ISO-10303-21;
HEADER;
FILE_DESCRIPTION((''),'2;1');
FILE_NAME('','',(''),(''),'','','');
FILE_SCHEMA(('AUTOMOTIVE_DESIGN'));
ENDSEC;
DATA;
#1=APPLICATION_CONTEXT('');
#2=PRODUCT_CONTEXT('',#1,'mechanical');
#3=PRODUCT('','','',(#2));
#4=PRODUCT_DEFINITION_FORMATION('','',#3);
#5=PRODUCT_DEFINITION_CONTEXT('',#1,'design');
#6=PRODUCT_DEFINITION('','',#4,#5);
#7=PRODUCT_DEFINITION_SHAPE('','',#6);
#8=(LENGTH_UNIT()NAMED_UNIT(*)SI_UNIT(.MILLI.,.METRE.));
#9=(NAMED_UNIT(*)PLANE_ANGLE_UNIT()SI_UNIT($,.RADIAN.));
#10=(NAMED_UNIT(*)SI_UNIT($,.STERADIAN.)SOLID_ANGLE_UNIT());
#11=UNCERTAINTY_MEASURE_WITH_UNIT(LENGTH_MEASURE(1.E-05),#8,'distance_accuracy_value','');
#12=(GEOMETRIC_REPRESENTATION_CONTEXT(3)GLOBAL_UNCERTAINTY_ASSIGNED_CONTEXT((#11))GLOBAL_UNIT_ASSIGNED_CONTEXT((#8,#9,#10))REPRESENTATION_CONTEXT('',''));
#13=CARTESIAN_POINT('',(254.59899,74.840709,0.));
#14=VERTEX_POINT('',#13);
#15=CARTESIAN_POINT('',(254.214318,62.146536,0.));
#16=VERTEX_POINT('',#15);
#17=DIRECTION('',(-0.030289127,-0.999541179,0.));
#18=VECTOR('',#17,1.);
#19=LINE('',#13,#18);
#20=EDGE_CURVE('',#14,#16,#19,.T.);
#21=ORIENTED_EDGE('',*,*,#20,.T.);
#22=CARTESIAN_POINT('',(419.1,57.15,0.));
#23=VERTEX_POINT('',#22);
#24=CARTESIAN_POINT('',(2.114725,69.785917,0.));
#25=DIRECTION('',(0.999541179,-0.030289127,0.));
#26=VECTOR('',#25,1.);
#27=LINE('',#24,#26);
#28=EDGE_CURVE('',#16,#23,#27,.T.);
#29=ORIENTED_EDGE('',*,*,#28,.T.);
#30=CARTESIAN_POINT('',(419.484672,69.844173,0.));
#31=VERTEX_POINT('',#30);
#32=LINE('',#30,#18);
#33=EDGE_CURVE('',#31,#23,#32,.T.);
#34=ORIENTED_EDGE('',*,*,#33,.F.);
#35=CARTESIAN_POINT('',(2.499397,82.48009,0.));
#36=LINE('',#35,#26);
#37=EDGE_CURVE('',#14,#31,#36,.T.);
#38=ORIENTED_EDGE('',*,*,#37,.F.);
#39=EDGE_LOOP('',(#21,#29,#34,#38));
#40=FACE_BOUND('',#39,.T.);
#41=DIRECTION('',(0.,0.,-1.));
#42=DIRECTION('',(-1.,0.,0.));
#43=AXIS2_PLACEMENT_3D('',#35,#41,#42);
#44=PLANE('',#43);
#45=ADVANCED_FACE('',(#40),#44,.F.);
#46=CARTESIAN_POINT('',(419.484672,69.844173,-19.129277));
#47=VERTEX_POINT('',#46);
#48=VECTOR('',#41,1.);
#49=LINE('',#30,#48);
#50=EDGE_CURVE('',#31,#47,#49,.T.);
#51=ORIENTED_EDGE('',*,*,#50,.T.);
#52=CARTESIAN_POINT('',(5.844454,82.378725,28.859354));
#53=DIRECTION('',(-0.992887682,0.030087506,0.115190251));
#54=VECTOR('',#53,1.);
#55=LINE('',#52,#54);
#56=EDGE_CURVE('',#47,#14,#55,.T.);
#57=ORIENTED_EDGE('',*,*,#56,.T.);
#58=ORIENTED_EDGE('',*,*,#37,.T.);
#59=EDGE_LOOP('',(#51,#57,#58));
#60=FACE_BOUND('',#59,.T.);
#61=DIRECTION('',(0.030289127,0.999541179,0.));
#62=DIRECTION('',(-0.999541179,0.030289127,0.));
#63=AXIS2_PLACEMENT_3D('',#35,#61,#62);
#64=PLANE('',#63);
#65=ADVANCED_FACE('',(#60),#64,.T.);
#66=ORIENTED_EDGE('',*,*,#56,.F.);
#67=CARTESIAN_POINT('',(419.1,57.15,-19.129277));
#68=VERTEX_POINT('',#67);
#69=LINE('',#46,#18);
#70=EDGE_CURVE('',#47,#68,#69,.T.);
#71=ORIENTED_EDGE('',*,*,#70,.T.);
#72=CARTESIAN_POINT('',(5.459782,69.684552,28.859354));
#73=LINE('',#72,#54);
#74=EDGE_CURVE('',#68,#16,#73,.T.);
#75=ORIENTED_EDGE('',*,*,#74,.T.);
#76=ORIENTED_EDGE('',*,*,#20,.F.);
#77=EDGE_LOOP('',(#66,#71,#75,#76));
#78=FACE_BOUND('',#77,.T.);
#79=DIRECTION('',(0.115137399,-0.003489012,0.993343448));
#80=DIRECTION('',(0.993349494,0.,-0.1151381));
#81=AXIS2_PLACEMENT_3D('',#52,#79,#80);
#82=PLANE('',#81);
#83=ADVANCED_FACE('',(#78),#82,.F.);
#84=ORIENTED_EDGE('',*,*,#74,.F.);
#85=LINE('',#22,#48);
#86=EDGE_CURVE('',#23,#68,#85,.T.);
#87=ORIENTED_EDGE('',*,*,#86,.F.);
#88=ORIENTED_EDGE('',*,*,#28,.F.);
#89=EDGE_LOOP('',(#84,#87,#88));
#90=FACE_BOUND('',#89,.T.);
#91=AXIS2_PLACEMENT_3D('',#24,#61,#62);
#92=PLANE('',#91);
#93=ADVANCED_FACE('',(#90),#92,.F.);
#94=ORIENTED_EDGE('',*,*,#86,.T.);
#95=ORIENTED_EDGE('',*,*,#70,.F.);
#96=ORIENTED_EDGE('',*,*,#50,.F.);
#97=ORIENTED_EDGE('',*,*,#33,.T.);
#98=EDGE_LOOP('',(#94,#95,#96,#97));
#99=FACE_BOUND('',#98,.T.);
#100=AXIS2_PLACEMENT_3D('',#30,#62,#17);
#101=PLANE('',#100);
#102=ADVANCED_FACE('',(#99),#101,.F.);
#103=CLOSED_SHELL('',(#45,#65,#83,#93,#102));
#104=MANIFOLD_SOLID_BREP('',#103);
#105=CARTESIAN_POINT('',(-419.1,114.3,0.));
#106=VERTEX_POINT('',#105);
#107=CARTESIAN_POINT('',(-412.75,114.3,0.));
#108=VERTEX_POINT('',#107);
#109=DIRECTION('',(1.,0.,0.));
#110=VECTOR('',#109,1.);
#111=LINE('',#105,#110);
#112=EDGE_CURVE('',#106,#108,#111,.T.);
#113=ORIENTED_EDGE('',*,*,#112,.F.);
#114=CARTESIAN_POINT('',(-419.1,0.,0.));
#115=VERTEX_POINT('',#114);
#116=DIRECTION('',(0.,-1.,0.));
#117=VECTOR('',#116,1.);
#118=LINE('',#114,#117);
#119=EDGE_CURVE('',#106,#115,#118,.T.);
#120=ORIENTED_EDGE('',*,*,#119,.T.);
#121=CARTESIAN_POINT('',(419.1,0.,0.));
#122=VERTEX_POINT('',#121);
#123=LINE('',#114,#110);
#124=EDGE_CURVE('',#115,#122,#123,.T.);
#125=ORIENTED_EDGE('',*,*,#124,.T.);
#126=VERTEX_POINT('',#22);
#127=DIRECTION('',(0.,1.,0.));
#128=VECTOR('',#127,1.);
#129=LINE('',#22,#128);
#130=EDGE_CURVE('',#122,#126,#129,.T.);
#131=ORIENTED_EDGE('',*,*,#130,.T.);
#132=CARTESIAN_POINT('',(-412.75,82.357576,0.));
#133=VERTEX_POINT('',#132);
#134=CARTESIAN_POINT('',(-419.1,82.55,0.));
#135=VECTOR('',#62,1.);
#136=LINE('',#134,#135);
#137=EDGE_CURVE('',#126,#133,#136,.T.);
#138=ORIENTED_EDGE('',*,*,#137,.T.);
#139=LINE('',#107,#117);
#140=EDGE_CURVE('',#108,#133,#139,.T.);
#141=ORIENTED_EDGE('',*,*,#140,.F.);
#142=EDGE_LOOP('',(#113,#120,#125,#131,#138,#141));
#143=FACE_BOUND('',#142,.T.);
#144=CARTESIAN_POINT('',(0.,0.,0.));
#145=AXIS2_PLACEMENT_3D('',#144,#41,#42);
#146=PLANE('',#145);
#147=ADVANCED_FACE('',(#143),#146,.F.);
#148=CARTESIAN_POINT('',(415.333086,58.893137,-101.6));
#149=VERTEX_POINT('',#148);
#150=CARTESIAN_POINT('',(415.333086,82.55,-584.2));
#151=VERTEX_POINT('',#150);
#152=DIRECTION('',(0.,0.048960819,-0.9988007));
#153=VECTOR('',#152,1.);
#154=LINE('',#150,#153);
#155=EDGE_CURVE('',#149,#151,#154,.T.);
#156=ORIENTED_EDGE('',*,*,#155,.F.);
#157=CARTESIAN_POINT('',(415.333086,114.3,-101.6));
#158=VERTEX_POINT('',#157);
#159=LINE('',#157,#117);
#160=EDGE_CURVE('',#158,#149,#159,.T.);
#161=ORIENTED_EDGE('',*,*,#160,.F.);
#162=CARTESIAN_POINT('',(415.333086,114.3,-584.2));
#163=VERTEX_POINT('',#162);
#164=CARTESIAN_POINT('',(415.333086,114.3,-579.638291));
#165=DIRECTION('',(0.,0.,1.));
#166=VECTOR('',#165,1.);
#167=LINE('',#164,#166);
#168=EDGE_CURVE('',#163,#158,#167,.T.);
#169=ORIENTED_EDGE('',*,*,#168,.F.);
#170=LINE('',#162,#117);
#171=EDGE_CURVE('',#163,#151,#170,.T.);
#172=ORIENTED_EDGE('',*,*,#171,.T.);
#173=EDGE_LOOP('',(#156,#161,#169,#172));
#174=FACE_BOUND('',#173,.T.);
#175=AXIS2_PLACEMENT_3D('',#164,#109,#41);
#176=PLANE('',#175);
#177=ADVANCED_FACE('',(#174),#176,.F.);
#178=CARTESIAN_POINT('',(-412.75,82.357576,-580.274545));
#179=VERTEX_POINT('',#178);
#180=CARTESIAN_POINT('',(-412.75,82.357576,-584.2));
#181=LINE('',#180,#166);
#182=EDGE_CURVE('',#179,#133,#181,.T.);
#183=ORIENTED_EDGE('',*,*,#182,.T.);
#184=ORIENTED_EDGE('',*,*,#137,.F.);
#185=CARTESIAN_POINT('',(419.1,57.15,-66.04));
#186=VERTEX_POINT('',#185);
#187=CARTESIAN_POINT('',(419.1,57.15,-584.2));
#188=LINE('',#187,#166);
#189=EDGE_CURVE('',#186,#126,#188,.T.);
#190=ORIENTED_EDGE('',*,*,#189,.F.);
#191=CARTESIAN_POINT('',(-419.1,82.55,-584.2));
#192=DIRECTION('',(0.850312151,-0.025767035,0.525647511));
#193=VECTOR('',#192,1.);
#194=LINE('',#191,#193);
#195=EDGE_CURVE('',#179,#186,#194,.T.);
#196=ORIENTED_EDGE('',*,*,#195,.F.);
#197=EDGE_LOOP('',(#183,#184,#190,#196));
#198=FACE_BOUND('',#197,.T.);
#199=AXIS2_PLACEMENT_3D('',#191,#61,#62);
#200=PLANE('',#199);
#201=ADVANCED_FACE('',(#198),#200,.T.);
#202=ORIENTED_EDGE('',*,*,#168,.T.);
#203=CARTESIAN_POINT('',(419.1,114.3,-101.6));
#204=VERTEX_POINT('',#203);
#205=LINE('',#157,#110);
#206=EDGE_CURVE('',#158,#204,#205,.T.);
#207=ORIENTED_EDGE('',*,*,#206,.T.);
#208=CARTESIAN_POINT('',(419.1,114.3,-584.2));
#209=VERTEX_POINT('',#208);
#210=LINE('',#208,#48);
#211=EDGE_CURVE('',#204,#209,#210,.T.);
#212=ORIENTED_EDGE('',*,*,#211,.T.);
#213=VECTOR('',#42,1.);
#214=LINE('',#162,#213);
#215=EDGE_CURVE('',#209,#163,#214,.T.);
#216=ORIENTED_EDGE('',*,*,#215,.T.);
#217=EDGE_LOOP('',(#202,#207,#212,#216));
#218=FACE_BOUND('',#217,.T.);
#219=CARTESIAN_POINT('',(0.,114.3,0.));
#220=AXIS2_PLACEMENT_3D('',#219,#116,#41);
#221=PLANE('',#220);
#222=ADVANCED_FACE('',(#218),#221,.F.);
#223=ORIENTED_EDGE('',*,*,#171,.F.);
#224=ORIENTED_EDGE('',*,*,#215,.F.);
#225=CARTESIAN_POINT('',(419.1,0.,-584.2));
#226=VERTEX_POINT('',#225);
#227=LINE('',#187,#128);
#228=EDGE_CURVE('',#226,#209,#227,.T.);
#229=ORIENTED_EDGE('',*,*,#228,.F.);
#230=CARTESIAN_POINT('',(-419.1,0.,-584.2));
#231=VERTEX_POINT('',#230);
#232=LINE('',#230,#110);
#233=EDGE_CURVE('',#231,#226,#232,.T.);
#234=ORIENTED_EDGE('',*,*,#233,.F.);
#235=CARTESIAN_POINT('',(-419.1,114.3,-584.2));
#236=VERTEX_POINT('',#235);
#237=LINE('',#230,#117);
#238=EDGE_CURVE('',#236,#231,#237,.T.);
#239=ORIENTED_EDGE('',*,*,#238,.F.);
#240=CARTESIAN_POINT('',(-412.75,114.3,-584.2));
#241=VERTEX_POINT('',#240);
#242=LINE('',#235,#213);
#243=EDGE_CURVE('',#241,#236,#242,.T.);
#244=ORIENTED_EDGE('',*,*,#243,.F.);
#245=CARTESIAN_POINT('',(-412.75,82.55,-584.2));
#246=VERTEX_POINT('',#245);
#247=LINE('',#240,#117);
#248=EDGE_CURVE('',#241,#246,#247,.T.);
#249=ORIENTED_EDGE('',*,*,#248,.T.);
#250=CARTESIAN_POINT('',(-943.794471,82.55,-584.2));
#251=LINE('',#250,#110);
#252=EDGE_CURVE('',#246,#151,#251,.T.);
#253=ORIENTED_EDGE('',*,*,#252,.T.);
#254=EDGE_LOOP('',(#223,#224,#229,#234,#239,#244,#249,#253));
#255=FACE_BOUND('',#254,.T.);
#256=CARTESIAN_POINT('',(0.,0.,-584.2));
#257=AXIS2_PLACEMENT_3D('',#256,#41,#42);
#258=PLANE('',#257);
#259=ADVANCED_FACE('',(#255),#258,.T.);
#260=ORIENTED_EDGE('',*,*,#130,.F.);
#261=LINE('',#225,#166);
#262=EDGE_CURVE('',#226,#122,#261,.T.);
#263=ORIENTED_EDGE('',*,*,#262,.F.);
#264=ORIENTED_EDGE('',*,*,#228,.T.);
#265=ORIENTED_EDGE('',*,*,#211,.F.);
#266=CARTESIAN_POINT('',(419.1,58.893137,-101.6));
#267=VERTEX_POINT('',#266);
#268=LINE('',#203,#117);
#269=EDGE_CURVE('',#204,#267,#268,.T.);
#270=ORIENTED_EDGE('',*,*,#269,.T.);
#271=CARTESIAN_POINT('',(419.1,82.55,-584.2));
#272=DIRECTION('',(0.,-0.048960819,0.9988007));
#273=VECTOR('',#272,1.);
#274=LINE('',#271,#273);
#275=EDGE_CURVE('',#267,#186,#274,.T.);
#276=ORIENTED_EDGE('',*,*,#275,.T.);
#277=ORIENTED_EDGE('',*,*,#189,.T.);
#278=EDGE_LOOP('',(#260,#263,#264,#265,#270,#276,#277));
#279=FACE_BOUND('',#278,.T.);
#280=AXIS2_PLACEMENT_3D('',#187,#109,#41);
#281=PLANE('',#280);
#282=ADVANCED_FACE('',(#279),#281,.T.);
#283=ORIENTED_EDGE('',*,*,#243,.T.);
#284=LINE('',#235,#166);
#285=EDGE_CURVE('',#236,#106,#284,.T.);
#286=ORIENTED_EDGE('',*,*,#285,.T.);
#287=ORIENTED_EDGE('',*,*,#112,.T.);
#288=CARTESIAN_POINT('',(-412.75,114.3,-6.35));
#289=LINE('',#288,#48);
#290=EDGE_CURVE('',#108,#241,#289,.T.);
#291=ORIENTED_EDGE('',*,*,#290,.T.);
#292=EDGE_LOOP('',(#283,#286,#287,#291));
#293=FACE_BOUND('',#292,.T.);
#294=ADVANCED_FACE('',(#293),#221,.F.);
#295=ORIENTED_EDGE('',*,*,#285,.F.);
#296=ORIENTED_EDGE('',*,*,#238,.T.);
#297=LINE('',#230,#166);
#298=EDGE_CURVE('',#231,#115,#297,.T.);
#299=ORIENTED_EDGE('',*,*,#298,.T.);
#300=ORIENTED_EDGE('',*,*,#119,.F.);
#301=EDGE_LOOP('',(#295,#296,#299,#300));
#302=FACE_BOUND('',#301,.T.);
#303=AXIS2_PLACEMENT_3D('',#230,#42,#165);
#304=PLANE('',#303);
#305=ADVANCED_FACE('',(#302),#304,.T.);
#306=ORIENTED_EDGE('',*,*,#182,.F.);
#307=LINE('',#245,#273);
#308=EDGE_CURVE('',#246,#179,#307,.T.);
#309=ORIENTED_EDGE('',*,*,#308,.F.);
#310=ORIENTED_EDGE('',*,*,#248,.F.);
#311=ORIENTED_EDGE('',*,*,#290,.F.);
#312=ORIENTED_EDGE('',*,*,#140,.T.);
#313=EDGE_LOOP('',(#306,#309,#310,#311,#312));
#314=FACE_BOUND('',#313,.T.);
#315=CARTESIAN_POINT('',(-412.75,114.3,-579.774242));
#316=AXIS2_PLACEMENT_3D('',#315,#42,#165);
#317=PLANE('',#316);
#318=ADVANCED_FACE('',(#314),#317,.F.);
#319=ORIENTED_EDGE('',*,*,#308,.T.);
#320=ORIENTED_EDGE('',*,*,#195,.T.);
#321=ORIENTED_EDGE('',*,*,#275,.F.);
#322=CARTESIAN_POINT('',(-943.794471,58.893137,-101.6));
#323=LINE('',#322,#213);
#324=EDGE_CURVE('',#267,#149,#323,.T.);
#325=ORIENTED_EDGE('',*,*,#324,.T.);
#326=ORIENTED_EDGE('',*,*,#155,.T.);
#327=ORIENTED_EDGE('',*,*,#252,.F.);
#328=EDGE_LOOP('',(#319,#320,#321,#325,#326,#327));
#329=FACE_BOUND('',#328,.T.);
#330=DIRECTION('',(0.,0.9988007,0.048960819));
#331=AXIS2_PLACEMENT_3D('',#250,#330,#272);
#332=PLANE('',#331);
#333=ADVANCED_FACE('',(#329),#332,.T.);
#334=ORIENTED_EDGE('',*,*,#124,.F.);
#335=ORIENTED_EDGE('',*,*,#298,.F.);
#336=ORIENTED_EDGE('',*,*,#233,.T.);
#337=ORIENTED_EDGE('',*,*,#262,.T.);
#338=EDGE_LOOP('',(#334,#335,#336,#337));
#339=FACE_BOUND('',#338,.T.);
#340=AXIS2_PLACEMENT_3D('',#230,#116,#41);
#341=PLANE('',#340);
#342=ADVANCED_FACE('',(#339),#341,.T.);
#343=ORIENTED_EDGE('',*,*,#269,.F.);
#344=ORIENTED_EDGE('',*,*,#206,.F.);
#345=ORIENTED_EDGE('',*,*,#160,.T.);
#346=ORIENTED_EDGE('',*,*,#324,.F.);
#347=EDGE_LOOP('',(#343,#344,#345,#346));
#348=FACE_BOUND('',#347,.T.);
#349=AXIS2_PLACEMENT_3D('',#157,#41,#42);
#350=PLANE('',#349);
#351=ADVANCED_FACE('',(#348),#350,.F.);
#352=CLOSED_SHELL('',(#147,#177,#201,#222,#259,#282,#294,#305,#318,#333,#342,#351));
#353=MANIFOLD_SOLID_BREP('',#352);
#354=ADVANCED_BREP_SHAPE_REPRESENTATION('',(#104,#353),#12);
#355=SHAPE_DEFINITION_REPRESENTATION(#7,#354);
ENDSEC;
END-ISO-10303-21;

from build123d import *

# Parameters (mm, degrees)
BOSS_EXTRUDE2_DEPTH = 584.2
BOSS_EXTRUDE3_REACH = 1027.028
BOSS_EXTRUDE4_DEPTH = 114.3
BOSS_EXTRUDE5_DEPTH = 12.7


with BuildPart() as part:
    # Sketch3 → Boss-Extrude2 (new body)
    with BuildSketch(Plane.XY):
        Polygon((-419.1, 0), (419.1, 0), (419.1, 57.15), (-419.1, 82.55), align=None)
    extrude(amount=-BOSS_EXTRUDE2_DEPTH)

    # Boss-Extrude3: up to this face of the body (flat: up to its plane)
    boss_extrude3_end = Plane(part.part.faces().sort_by_distance((-419.1, 41.275, -292.1))[0])
    # Sketch4 → Boss-Extrude3 (add, up to the picked face)
    with BuildSketch(Plane(origin=(419.1, 0, 0), x_dir=(0, 0, -1), z_dir=(1, 0, 0)), mode=Mode.PRIVATE) as boss_extrude3_sk1:
        Polygon((66.04, 57.15), (66.04, 0), (584.2, 0), (584.2, 82.55), align=None)
    boss_extrude3_tool1 = split(extrude(boss_extrude3_sk1.sketch, amount=-BOSS_EXTRUDE3_REACH, mode=Mode.PRIVATE), bisect_by=boss_extrude3_end, keep=Keep.BOTH, mode=Mode.PRIVATE)
    add(boss_extrude3_tool1.solids().sort_by(Axis((419.1, 35.309848, -340.821818), (-1, 0, 0)))[0])

    # Sketch5 → Boss-Extrude4 (add)
    with BuildSketch(Plane(origin=(0, 0, 0), x_dir=(1, 0, 0), z_dir=(0, 1, 0))):
        Polygon((-419.1, 584.2), (-412.75, 584.2), (-412.75, 579.774242424), (-412.75, 6.35), (-412.75, 0), (-419.1, 0), align=None)
        Polygon((419.1, 584.2), (419.1, 101.6), (415.333086298, 101.6), (415.333086298, 579.638290514), (415.333086298, 584.2), align=None)
    extrude(amount=BOSS_EXTRUDE4_DEPTH)


with BuildPart() as body_2:
    # Sketch6 → Boss-Extrude5 (new body)
    with BuildSketch(Plane(origin=(2.114724771, 69.785917431, 0), x_dir=(0.9995411791453815, -0.03028912664076896, 0), z_dir=(0.03028912664076896, 0.9995411791453815, 0))):
        Polygon((252.21531488, 0), (417.176684592, 0), (417.176684592, 19.129276533), align=None)
    extrude(amount=BOSS_EXTRUDE5_DEPTH)


solid = Compound([part.part, body_2.part])
